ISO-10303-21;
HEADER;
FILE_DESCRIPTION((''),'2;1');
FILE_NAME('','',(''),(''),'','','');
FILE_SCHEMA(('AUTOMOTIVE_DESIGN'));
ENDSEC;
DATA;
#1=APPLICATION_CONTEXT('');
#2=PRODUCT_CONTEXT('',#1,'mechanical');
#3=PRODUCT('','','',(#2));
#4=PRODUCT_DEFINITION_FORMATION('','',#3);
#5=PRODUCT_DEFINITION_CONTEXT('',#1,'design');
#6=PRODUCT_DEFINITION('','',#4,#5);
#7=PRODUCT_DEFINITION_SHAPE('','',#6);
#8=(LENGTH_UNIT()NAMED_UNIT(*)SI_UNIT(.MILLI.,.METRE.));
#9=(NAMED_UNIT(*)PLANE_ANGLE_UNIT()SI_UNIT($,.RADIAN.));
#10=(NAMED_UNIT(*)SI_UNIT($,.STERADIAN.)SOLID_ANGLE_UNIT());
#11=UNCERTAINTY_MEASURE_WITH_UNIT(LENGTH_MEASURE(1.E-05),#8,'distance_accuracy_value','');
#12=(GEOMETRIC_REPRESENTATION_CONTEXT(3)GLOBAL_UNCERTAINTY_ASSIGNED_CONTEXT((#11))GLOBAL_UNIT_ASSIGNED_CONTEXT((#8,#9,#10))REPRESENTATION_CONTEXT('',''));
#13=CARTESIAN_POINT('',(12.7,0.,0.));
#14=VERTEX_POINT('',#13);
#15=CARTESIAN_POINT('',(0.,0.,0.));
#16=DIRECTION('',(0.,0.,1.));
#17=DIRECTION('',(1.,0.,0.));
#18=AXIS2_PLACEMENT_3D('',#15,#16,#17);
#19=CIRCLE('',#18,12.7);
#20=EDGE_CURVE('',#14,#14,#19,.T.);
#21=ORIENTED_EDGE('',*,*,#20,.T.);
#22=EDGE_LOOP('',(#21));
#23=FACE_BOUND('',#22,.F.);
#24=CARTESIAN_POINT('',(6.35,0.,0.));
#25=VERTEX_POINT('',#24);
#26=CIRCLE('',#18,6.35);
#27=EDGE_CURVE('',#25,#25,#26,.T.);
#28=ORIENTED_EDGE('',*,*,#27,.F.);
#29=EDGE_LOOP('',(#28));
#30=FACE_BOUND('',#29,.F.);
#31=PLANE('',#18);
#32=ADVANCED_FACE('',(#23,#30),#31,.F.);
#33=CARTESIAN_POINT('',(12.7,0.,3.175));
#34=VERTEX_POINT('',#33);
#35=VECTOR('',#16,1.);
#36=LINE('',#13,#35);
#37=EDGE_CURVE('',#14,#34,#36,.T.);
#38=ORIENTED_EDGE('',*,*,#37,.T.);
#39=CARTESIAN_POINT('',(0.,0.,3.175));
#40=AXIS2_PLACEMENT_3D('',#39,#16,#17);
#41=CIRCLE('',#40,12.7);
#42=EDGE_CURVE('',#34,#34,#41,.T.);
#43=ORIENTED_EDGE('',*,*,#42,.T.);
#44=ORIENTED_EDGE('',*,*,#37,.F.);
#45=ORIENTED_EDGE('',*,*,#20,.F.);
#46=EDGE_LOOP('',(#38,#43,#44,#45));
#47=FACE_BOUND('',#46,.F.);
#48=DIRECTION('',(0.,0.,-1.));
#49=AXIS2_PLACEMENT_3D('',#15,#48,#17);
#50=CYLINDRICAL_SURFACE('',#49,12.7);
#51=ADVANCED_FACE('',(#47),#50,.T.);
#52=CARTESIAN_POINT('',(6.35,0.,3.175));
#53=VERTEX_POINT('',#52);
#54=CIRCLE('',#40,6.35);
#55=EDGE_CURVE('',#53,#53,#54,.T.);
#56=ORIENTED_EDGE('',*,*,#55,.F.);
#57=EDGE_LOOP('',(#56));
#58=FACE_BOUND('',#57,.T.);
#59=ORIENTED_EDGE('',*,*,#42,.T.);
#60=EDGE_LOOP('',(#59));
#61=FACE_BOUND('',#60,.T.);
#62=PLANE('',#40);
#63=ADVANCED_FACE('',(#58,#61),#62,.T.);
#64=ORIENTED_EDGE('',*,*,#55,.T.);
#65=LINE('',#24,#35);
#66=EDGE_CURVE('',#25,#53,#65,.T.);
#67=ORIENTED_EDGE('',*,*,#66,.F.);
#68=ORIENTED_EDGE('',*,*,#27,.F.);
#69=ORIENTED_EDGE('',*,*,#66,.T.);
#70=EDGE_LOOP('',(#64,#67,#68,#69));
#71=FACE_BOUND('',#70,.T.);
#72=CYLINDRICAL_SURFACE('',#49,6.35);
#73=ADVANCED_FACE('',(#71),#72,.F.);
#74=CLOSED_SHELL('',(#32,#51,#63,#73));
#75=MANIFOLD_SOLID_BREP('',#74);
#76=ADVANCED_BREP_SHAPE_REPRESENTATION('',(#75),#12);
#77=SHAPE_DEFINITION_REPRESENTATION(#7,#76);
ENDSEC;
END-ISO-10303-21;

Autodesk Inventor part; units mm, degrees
ref_plane "YZ Plane" through (0, 0, 0) normal (1, 0, 0) x (0, 1, 0)
ref_plane "XZ Plane" through (0, 0, 0) normal (0, 1, 0) x (-1, 0, 0)
ref_plane "XY Plane" through (0, 0, 0) normal (0, 0, 1) x (1, 0, 0)
sketch "Sketch1" plane through (0, 0, 0) normal (0, 0, 1) x (1, 0, 0)
  circle A0 centre (0, 0) radius 6.35
  circle A1 centre (0, 0) radius 12.7
  dimension "d0" = 12.7
  dimension "d2" = 25.4
extrude "Extrusion1" add sketch "Sketch1" along normal blind 3.175
properties part number "Bronze Thrust Bearing.125 Thick .500 Shaft Diameter 1.000 OD"
